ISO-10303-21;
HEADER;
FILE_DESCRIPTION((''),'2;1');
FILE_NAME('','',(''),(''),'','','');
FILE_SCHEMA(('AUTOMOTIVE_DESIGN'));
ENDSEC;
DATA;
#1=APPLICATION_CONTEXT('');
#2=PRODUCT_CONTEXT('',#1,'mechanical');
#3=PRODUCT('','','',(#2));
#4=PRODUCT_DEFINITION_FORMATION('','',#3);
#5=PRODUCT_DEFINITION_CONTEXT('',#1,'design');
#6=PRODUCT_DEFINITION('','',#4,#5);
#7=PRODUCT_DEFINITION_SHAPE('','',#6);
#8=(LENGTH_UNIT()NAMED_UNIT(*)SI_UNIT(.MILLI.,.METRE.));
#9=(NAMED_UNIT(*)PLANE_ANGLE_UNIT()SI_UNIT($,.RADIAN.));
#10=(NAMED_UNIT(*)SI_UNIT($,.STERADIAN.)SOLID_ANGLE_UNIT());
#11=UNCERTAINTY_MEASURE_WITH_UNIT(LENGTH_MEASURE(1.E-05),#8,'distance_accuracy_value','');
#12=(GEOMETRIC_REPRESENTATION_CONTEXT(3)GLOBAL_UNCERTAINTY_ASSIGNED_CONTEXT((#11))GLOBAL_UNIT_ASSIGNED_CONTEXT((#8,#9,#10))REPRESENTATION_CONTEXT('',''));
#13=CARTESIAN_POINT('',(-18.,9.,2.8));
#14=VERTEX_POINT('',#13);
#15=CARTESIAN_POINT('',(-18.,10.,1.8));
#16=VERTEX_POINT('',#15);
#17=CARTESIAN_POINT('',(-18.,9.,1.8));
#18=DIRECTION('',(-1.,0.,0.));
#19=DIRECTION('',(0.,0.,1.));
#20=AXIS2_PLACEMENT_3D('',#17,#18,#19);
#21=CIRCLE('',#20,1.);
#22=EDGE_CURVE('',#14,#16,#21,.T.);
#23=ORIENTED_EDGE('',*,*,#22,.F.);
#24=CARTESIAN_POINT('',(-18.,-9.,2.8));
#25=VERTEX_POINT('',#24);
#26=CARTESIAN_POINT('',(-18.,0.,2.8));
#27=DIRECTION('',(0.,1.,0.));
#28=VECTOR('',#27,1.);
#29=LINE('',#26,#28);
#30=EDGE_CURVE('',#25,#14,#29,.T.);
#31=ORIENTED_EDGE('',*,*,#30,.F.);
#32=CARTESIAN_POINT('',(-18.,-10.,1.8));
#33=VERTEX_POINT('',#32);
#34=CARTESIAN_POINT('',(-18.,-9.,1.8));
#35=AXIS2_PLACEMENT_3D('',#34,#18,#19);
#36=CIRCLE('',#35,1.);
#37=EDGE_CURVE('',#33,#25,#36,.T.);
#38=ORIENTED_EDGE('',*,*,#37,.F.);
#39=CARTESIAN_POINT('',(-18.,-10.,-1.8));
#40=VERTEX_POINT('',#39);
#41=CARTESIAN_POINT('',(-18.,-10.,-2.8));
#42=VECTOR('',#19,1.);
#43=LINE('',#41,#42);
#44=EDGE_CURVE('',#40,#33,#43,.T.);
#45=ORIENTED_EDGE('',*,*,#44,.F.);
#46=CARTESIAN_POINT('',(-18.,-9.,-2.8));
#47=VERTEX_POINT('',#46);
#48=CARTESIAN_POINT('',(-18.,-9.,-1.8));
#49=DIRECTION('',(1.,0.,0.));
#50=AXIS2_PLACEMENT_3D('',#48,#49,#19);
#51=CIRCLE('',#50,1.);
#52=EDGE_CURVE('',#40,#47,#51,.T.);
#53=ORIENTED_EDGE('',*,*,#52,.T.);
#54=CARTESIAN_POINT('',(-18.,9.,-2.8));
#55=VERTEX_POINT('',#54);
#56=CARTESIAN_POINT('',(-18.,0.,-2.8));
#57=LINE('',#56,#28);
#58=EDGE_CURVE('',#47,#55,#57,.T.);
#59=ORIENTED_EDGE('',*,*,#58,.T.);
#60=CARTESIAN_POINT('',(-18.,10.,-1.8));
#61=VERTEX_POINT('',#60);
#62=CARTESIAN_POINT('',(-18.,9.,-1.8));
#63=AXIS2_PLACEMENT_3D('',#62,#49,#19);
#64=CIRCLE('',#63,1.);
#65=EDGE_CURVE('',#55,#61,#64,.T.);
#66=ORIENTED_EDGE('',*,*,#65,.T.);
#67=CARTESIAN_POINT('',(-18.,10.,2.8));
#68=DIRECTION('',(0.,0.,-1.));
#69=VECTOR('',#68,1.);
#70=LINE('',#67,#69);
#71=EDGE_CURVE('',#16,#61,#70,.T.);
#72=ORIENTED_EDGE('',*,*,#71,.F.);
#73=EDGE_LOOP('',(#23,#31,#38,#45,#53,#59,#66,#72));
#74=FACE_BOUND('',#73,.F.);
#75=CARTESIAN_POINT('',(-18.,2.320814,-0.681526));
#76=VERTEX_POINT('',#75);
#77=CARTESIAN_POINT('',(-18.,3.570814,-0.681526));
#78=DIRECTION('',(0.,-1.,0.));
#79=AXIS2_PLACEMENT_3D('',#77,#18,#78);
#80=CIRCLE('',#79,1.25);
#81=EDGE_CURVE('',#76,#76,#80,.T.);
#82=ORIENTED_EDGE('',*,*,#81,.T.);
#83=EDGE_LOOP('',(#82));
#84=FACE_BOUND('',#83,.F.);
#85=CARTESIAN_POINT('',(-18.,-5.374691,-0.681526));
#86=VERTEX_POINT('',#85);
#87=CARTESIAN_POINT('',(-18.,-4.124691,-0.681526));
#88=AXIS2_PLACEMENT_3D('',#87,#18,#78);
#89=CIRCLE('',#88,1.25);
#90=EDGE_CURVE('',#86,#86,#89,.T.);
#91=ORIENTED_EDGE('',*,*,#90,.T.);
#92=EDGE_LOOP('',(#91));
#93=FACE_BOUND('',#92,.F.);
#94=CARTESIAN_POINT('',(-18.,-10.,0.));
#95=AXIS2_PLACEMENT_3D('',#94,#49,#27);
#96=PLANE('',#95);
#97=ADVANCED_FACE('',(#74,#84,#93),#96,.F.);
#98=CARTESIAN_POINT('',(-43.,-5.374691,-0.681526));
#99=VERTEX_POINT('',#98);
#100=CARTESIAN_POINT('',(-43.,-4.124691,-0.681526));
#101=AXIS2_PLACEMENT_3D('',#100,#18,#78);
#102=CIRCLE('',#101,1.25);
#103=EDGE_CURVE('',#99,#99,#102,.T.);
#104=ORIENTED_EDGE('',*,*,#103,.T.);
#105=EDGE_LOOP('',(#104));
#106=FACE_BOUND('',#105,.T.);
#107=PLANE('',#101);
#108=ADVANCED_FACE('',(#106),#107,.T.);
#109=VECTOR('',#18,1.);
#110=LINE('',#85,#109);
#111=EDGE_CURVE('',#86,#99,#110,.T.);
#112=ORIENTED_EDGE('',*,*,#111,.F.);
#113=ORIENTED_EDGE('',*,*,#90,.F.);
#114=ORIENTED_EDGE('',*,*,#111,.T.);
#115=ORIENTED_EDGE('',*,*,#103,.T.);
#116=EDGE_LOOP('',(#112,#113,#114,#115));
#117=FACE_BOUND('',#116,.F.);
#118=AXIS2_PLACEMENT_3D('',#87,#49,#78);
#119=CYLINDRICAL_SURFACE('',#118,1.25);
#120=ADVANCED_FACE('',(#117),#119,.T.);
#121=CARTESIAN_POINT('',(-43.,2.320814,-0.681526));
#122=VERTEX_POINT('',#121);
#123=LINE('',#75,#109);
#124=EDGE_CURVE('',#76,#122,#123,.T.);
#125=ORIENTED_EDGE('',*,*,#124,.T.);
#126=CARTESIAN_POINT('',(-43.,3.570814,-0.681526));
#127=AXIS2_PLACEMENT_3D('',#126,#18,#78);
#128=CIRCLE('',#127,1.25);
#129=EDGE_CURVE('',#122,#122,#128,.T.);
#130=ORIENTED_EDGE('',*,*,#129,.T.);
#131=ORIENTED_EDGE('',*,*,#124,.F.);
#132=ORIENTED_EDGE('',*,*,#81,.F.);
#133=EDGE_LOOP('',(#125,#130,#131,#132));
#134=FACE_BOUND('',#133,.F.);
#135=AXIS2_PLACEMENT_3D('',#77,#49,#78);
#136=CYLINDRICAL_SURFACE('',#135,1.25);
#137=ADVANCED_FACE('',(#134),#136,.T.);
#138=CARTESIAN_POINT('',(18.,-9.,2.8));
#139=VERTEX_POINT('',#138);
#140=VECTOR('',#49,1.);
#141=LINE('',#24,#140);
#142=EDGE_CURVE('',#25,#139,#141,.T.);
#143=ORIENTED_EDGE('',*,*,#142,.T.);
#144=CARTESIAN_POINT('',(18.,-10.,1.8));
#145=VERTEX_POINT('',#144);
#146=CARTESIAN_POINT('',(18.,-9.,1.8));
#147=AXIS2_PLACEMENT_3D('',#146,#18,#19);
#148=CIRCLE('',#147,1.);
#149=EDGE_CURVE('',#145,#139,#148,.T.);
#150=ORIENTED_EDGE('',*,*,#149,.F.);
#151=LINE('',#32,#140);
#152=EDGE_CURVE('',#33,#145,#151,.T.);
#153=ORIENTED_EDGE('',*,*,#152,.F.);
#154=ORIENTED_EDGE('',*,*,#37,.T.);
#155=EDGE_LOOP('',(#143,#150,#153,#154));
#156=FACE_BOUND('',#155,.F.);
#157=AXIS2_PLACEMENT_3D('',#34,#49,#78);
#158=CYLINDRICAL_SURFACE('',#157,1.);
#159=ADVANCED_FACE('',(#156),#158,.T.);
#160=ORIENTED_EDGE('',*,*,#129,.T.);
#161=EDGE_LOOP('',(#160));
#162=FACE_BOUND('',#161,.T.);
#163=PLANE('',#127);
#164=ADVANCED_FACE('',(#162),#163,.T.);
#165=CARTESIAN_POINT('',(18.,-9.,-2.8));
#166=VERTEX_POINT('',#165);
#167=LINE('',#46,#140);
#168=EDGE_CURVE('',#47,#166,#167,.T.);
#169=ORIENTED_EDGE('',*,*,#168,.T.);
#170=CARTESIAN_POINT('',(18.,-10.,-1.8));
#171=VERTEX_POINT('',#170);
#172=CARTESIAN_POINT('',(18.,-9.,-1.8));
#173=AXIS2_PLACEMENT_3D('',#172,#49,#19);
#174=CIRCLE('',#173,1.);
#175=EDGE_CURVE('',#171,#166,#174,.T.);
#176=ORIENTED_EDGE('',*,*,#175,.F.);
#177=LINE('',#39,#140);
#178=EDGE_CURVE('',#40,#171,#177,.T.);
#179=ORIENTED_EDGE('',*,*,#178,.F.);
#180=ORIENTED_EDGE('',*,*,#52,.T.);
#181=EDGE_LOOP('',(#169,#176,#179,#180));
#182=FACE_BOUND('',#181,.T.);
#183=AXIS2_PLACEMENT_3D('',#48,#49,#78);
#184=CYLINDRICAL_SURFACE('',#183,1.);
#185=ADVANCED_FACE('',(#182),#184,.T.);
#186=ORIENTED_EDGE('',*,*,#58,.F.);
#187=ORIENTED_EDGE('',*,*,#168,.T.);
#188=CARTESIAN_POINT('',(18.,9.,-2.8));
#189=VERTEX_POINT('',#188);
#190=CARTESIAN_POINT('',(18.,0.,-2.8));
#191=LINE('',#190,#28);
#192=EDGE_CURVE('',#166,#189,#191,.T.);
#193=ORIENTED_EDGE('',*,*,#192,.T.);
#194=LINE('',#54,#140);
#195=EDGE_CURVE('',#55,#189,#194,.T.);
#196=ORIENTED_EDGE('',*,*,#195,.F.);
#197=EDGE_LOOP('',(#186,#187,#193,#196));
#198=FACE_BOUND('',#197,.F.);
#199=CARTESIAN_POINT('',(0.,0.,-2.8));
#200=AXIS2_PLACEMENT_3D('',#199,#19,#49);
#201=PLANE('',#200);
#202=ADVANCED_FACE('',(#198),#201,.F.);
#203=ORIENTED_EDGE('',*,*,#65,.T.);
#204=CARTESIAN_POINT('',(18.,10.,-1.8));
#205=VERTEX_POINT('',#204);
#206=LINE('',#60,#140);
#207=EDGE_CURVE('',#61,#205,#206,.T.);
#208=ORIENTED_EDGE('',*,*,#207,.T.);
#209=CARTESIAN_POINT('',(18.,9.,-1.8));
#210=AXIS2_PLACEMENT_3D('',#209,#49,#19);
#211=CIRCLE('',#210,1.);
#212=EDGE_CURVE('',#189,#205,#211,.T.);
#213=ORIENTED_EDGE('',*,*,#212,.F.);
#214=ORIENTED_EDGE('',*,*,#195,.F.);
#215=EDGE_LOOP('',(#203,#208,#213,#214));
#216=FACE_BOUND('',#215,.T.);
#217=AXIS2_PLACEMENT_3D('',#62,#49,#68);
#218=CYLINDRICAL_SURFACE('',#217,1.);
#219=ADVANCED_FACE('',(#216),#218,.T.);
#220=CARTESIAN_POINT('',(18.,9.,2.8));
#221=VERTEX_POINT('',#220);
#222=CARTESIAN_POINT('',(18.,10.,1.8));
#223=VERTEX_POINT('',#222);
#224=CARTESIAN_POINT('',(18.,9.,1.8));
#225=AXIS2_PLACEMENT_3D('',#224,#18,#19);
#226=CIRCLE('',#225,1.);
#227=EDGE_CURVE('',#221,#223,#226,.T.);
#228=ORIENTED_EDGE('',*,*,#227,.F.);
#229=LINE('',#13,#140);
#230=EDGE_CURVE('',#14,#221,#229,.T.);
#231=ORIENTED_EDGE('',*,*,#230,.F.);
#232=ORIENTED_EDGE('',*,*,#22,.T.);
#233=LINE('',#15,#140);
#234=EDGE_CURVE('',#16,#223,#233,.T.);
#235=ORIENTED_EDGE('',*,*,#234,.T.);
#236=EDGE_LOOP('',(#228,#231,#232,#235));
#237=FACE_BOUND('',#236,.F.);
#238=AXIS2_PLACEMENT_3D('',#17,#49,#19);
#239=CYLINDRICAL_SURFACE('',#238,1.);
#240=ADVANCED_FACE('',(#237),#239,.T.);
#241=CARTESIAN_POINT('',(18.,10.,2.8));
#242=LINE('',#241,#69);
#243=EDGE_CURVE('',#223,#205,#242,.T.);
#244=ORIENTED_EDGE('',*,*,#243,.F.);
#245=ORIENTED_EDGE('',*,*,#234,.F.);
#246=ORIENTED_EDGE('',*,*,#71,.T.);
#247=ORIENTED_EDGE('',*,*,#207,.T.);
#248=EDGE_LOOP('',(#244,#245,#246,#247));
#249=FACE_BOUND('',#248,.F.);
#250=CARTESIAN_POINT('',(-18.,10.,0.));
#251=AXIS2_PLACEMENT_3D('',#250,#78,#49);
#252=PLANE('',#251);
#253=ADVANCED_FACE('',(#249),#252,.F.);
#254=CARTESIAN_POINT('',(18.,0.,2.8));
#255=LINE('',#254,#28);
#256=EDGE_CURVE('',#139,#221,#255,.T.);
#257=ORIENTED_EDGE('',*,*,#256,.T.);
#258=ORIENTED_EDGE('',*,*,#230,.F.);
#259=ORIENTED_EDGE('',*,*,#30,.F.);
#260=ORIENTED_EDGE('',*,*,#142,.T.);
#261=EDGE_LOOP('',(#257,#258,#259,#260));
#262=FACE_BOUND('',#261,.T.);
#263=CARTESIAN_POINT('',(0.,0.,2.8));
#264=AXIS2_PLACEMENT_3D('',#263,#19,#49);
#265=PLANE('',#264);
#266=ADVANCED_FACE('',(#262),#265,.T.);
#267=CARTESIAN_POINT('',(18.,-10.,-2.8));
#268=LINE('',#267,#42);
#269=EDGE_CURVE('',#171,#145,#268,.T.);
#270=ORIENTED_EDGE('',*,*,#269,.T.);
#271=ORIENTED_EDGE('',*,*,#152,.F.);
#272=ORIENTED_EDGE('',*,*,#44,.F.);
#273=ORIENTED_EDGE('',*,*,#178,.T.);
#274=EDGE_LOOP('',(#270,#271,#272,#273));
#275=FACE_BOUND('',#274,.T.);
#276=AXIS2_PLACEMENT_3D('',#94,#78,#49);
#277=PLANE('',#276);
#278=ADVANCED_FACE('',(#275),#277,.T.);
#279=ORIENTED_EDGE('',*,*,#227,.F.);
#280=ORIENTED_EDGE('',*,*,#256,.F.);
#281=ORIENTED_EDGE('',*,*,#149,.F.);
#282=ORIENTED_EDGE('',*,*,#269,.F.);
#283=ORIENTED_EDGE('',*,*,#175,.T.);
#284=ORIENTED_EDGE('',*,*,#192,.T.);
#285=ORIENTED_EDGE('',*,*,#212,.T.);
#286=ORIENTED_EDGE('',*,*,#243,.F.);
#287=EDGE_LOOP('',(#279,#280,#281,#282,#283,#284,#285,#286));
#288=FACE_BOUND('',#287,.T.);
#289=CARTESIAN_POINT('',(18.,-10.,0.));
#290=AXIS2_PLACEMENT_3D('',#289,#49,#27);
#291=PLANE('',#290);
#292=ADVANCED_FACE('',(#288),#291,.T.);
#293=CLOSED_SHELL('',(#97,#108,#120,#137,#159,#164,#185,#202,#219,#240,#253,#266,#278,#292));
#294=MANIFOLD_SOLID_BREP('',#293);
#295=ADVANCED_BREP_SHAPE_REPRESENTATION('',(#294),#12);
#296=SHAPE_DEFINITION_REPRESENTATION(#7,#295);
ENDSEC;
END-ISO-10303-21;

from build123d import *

# Parameters (mm, degrees)
F0_W     = 36
F0_H     = 20
F1_DEPTH = 2.8
F2_R     = 1.25
F3_DEPTH = 25
F4_R     = 1


with BuildPart() as f1:
    # F0 (on Top) → F1 (new body, symmetric)
    with BuildSketch(Plane.XY):
        Rectangle(F0_W, F0_H)
    extrude(amount=F1_DEPTH, both=True)

    # F2 (on face) → F3 (join)
    with BuildSketch(Plane(origin=(-18, 0, 0), x_dir=(0, -1, 0), z_dir=(-1, 0, 0))):
        with Locations((-3.5708139185, -0.681526144)):
            Circle(F2_R)
        with Locations((4.1246912515, -0.681526144)):
            Circle(F2_R)
    extrude(amount=F3_DEPTH)

    # F4
    f4_edges = [f1.edges().sort_by_distance(p)[0] for p in [
        (0, -10, 2.8),
        (0, -10, -2.8),
        (0, 10, 2.8),
        (0, 10, -2.8),
    ]]
    fillet(f4_edges, radius=F4_R)


solid = f1.part
